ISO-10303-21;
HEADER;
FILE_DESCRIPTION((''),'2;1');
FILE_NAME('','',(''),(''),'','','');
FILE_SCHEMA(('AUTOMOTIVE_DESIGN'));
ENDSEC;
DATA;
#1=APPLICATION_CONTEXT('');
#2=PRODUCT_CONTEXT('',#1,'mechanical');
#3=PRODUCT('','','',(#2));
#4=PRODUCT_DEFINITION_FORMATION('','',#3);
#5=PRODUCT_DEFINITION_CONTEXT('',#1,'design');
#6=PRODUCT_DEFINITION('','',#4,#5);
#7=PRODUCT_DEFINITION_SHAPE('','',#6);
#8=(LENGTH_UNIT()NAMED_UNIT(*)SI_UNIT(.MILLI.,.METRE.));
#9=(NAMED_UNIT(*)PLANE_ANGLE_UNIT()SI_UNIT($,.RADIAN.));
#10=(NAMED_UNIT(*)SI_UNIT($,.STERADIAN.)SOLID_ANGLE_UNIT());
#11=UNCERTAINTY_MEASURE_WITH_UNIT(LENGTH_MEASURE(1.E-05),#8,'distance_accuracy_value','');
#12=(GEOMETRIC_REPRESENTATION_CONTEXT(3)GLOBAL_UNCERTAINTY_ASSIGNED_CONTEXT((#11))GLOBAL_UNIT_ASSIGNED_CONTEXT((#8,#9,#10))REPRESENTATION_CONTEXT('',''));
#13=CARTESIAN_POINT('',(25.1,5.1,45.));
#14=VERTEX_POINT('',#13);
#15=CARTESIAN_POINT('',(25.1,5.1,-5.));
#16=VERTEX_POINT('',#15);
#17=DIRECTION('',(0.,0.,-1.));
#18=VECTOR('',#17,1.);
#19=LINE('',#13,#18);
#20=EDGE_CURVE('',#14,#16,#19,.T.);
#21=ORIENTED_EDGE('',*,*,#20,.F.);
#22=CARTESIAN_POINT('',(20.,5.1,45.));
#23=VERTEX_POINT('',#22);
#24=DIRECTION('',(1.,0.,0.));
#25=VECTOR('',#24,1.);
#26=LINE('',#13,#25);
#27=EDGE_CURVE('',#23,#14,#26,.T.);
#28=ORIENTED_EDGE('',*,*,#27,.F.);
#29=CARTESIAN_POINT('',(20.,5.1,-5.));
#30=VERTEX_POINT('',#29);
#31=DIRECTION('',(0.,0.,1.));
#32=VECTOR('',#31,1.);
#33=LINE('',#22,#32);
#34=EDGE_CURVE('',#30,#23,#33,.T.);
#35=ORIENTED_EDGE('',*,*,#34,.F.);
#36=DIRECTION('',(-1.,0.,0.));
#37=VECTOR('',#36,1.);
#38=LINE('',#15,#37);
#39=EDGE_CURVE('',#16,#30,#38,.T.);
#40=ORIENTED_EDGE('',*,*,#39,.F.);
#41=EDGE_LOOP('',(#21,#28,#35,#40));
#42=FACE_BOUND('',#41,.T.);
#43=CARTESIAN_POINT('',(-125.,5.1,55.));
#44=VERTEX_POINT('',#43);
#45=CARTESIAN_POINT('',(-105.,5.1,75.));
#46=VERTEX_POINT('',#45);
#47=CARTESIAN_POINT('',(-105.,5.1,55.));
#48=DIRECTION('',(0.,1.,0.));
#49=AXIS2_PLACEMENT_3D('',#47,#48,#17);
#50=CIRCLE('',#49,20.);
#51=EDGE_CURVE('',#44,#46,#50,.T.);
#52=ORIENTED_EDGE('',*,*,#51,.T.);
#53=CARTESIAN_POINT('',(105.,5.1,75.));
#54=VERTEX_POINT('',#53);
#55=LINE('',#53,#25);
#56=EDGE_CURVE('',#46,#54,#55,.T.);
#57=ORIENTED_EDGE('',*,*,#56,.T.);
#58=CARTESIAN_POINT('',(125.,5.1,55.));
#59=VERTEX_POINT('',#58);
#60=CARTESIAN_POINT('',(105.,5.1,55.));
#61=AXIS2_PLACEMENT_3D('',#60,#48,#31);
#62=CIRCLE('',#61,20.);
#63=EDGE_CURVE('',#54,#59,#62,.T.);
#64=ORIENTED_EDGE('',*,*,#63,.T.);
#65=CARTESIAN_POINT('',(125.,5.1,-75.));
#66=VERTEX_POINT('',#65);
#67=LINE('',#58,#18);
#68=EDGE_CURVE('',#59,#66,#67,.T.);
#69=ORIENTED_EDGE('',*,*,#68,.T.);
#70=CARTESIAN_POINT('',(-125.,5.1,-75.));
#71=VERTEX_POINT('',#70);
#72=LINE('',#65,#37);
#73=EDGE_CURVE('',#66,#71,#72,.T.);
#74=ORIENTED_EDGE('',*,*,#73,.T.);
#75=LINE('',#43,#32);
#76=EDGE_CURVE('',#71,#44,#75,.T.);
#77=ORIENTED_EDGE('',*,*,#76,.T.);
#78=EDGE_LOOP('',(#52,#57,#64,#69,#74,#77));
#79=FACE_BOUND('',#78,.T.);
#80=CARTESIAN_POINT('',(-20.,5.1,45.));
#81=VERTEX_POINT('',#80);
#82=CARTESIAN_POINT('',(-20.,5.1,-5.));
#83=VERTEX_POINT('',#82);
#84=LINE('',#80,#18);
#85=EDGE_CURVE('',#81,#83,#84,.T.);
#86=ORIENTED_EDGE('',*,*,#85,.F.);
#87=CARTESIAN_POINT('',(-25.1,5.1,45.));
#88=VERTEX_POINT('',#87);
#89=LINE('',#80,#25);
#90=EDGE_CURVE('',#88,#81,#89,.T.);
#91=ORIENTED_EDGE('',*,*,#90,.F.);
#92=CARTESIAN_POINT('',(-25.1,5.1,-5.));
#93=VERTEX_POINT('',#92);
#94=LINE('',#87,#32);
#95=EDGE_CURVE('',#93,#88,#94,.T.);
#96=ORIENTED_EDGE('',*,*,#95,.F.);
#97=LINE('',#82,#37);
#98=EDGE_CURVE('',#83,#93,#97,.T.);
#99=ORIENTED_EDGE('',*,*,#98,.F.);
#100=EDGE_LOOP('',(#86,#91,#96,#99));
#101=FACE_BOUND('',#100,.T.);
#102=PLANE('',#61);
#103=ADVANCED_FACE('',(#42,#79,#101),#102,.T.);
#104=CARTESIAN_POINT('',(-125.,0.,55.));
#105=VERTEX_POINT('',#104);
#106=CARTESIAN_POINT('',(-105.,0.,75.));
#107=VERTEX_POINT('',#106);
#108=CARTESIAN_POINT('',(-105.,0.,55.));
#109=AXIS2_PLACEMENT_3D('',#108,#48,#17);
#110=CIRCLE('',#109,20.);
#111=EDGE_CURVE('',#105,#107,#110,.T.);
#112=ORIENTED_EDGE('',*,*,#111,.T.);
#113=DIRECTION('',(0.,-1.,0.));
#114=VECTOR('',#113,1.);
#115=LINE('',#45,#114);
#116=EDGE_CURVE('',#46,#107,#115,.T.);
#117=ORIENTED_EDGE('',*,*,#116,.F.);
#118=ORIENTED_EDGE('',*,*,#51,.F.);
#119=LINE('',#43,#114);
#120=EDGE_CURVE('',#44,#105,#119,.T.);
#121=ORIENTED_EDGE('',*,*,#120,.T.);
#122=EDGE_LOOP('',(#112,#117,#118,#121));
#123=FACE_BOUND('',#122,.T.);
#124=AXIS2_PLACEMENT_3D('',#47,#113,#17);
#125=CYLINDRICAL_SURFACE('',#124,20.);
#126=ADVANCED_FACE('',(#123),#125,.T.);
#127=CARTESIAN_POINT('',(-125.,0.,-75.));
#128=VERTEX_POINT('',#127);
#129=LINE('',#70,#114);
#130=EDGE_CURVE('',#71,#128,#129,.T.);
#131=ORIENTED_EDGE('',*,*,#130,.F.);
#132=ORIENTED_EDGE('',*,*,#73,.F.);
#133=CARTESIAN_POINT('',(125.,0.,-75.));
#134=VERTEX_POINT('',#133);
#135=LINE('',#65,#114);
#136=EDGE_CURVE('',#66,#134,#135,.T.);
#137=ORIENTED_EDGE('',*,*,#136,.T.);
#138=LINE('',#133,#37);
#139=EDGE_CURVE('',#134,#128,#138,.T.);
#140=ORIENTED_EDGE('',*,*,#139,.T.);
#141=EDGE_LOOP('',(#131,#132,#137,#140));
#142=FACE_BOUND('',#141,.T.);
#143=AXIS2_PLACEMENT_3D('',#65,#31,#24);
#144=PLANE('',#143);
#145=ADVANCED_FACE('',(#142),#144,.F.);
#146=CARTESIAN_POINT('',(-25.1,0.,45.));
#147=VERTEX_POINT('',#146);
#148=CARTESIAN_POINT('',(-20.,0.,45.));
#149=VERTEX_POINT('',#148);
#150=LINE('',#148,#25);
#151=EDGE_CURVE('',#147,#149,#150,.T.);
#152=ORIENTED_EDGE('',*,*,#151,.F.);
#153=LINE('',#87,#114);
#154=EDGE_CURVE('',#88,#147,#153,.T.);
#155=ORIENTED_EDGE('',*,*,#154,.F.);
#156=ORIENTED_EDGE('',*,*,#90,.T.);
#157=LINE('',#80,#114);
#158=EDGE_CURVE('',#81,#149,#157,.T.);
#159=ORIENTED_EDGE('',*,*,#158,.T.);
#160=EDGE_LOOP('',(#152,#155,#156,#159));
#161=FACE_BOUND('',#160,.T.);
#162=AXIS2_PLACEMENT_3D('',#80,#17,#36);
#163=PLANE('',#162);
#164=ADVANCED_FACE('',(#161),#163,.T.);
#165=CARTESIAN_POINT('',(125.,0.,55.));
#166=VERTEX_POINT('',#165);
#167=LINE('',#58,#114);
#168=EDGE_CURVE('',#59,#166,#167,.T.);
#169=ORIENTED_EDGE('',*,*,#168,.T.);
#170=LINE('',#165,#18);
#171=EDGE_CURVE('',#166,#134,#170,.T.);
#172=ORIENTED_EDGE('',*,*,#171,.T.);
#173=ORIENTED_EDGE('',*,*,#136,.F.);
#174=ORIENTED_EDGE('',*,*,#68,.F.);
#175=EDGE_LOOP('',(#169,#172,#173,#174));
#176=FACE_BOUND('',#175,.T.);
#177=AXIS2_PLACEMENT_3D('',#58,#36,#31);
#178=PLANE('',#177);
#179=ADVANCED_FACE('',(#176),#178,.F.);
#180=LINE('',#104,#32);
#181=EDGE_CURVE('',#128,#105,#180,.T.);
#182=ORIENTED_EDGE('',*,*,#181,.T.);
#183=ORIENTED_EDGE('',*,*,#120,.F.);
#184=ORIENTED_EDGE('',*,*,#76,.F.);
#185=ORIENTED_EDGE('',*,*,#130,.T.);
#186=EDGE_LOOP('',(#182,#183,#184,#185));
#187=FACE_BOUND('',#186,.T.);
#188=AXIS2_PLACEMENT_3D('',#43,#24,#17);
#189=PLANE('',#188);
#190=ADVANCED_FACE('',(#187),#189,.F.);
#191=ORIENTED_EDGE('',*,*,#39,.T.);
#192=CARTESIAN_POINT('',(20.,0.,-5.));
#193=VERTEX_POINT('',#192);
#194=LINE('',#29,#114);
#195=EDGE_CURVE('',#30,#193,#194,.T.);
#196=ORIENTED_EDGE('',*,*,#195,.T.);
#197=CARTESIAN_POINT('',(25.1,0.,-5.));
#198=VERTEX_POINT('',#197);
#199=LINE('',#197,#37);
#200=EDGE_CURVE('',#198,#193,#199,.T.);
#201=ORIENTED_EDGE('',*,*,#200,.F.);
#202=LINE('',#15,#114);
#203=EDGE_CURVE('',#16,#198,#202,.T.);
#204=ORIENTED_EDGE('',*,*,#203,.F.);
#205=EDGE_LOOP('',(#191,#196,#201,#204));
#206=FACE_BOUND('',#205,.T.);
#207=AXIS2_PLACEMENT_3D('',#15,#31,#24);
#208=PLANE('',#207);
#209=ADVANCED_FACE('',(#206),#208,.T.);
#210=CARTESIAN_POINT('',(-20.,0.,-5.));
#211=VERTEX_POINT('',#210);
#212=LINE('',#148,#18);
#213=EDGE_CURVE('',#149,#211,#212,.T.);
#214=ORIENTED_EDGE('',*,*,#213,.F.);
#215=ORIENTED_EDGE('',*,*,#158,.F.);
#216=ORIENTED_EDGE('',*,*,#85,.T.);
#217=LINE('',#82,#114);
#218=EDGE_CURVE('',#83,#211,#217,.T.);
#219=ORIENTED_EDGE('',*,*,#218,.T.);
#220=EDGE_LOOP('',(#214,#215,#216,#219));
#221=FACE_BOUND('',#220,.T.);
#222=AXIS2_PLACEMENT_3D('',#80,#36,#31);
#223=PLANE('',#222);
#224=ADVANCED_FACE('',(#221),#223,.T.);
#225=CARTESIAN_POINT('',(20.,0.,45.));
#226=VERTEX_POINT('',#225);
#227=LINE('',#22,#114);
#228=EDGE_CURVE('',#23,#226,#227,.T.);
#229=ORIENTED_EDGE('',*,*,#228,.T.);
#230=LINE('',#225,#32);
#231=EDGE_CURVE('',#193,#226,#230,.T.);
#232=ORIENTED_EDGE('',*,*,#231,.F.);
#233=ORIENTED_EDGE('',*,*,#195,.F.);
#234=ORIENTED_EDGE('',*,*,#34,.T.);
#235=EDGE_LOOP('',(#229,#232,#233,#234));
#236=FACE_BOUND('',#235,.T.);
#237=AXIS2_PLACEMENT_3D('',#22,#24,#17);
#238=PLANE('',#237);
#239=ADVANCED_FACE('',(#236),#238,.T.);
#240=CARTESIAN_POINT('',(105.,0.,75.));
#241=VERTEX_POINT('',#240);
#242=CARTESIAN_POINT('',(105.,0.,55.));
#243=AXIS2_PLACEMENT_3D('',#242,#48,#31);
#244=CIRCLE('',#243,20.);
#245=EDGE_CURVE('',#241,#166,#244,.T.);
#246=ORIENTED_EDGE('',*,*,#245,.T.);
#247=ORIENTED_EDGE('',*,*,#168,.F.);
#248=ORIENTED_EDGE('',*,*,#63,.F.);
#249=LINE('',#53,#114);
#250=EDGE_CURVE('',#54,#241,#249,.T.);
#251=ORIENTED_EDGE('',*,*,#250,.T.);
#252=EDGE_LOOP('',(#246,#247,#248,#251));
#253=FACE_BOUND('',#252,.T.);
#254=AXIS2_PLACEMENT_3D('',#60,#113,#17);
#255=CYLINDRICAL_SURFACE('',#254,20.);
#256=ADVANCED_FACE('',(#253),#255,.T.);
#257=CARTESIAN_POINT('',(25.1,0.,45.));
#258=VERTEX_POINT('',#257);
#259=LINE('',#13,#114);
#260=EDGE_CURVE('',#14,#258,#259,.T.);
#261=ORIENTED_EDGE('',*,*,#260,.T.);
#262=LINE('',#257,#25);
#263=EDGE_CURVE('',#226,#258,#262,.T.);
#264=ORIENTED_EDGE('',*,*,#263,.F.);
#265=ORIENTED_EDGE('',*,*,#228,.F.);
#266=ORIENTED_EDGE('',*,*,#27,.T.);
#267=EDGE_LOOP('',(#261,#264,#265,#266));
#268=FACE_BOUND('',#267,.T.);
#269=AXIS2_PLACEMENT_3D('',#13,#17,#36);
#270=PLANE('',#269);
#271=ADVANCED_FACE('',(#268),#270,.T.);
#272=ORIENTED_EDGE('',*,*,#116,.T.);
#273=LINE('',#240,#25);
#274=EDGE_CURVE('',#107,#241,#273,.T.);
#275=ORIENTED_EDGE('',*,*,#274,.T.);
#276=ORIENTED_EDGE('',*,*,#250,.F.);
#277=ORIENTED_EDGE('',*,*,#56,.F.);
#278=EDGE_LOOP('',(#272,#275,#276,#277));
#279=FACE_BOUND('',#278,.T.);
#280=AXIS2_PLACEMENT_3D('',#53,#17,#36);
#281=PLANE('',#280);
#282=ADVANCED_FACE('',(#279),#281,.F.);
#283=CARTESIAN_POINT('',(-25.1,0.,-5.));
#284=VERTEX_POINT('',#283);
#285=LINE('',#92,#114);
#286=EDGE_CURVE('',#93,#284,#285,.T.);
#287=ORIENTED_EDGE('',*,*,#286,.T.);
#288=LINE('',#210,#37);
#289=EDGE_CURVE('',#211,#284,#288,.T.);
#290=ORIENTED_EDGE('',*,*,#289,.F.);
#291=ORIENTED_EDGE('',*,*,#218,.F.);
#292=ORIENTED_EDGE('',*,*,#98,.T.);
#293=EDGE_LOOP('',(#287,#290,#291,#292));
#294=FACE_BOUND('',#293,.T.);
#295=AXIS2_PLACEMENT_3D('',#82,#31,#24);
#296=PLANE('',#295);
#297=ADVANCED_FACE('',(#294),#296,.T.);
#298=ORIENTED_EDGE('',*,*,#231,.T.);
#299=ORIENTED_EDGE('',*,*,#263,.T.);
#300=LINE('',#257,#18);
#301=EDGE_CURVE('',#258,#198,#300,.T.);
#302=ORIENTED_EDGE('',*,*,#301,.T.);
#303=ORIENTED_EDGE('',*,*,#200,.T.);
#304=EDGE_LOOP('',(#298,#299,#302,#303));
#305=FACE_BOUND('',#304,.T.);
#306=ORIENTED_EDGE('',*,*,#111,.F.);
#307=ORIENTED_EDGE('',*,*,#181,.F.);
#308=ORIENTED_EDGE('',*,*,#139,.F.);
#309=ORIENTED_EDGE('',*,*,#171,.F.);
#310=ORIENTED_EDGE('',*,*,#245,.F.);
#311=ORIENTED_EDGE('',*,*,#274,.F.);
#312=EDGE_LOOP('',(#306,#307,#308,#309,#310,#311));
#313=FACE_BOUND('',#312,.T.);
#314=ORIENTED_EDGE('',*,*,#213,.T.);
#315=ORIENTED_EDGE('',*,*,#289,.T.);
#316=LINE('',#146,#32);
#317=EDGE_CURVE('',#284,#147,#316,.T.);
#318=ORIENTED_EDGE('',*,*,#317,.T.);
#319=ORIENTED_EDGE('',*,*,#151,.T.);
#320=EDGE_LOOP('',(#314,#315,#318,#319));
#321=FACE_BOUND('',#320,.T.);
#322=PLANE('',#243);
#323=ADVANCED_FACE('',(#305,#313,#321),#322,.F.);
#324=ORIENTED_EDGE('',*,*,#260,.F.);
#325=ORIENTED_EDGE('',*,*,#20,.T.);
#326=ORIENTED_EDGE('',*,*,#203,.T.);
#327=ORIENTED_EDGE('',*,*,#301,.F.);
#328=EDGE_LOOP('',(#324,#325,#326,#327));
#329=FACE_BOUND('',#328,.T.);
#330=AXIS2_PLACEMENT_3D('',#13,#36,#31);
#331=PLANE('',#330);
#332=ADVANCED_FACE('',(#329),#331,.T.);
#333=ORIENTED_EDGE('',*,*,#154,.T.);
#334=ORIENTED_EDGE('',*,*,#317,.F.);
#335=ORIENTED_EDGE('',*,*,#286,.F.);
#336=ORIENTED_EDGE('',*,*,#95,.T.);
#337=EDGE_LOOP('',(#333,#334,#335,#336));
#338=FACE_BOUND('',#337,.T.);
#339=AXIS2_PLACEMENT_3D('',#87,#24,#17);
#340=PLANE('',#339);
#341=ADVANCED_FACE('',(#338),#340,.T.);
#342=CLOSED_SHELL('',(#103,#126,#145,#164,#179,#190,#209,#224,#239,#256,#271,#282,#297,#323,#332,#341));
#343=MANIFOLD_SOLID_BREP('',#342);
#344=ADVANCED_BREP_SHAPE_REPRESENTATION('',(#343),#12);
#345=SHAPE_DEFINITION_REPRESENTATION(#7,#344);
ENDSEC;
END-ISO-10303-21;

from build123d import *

# Parameters (mm, degrees)
SKETCH1_W           = 5.1
SKETCH1_H           = 50
BOSS_EXTRUDE1_DEPTH = 5.1


with BuildPart() as part:
    # Sketch1 → Boss-Extrude1 (new body)
    with BuildSketch(Plane(origin=(0, 0, 0), x_dir=(1, 0, 0), z_dir=(0, 1, 0))):
        with BuildLine():
            Line((105, -75), (-105, -75))
            ThreePointArc((-105, -75), (-119.142135624, -69.142135624), (-125, -55))
            Line((-125, -55), (-125, 75))
            Line((-125, 75), (125, 75))
            Line((125, 75), (125, -55))
            ThreePointArc((125, -55), (119.142135624, -69.142135624), (105, -75))
        make_face()
        with Locations((-22.55, -20)):
            Rectangle(SKETCH1_W, SKETCH1_H, mode=Mode.SUBTRACT)
        with Locations((22.55, -20)):
            Rectangle(SKETCH1_W, SKETCH1_H, mode=Mode.SUBTRACT)
    extrude(amount=BOSS_EXTRUDE1_DEPTH)


solid = part.part
